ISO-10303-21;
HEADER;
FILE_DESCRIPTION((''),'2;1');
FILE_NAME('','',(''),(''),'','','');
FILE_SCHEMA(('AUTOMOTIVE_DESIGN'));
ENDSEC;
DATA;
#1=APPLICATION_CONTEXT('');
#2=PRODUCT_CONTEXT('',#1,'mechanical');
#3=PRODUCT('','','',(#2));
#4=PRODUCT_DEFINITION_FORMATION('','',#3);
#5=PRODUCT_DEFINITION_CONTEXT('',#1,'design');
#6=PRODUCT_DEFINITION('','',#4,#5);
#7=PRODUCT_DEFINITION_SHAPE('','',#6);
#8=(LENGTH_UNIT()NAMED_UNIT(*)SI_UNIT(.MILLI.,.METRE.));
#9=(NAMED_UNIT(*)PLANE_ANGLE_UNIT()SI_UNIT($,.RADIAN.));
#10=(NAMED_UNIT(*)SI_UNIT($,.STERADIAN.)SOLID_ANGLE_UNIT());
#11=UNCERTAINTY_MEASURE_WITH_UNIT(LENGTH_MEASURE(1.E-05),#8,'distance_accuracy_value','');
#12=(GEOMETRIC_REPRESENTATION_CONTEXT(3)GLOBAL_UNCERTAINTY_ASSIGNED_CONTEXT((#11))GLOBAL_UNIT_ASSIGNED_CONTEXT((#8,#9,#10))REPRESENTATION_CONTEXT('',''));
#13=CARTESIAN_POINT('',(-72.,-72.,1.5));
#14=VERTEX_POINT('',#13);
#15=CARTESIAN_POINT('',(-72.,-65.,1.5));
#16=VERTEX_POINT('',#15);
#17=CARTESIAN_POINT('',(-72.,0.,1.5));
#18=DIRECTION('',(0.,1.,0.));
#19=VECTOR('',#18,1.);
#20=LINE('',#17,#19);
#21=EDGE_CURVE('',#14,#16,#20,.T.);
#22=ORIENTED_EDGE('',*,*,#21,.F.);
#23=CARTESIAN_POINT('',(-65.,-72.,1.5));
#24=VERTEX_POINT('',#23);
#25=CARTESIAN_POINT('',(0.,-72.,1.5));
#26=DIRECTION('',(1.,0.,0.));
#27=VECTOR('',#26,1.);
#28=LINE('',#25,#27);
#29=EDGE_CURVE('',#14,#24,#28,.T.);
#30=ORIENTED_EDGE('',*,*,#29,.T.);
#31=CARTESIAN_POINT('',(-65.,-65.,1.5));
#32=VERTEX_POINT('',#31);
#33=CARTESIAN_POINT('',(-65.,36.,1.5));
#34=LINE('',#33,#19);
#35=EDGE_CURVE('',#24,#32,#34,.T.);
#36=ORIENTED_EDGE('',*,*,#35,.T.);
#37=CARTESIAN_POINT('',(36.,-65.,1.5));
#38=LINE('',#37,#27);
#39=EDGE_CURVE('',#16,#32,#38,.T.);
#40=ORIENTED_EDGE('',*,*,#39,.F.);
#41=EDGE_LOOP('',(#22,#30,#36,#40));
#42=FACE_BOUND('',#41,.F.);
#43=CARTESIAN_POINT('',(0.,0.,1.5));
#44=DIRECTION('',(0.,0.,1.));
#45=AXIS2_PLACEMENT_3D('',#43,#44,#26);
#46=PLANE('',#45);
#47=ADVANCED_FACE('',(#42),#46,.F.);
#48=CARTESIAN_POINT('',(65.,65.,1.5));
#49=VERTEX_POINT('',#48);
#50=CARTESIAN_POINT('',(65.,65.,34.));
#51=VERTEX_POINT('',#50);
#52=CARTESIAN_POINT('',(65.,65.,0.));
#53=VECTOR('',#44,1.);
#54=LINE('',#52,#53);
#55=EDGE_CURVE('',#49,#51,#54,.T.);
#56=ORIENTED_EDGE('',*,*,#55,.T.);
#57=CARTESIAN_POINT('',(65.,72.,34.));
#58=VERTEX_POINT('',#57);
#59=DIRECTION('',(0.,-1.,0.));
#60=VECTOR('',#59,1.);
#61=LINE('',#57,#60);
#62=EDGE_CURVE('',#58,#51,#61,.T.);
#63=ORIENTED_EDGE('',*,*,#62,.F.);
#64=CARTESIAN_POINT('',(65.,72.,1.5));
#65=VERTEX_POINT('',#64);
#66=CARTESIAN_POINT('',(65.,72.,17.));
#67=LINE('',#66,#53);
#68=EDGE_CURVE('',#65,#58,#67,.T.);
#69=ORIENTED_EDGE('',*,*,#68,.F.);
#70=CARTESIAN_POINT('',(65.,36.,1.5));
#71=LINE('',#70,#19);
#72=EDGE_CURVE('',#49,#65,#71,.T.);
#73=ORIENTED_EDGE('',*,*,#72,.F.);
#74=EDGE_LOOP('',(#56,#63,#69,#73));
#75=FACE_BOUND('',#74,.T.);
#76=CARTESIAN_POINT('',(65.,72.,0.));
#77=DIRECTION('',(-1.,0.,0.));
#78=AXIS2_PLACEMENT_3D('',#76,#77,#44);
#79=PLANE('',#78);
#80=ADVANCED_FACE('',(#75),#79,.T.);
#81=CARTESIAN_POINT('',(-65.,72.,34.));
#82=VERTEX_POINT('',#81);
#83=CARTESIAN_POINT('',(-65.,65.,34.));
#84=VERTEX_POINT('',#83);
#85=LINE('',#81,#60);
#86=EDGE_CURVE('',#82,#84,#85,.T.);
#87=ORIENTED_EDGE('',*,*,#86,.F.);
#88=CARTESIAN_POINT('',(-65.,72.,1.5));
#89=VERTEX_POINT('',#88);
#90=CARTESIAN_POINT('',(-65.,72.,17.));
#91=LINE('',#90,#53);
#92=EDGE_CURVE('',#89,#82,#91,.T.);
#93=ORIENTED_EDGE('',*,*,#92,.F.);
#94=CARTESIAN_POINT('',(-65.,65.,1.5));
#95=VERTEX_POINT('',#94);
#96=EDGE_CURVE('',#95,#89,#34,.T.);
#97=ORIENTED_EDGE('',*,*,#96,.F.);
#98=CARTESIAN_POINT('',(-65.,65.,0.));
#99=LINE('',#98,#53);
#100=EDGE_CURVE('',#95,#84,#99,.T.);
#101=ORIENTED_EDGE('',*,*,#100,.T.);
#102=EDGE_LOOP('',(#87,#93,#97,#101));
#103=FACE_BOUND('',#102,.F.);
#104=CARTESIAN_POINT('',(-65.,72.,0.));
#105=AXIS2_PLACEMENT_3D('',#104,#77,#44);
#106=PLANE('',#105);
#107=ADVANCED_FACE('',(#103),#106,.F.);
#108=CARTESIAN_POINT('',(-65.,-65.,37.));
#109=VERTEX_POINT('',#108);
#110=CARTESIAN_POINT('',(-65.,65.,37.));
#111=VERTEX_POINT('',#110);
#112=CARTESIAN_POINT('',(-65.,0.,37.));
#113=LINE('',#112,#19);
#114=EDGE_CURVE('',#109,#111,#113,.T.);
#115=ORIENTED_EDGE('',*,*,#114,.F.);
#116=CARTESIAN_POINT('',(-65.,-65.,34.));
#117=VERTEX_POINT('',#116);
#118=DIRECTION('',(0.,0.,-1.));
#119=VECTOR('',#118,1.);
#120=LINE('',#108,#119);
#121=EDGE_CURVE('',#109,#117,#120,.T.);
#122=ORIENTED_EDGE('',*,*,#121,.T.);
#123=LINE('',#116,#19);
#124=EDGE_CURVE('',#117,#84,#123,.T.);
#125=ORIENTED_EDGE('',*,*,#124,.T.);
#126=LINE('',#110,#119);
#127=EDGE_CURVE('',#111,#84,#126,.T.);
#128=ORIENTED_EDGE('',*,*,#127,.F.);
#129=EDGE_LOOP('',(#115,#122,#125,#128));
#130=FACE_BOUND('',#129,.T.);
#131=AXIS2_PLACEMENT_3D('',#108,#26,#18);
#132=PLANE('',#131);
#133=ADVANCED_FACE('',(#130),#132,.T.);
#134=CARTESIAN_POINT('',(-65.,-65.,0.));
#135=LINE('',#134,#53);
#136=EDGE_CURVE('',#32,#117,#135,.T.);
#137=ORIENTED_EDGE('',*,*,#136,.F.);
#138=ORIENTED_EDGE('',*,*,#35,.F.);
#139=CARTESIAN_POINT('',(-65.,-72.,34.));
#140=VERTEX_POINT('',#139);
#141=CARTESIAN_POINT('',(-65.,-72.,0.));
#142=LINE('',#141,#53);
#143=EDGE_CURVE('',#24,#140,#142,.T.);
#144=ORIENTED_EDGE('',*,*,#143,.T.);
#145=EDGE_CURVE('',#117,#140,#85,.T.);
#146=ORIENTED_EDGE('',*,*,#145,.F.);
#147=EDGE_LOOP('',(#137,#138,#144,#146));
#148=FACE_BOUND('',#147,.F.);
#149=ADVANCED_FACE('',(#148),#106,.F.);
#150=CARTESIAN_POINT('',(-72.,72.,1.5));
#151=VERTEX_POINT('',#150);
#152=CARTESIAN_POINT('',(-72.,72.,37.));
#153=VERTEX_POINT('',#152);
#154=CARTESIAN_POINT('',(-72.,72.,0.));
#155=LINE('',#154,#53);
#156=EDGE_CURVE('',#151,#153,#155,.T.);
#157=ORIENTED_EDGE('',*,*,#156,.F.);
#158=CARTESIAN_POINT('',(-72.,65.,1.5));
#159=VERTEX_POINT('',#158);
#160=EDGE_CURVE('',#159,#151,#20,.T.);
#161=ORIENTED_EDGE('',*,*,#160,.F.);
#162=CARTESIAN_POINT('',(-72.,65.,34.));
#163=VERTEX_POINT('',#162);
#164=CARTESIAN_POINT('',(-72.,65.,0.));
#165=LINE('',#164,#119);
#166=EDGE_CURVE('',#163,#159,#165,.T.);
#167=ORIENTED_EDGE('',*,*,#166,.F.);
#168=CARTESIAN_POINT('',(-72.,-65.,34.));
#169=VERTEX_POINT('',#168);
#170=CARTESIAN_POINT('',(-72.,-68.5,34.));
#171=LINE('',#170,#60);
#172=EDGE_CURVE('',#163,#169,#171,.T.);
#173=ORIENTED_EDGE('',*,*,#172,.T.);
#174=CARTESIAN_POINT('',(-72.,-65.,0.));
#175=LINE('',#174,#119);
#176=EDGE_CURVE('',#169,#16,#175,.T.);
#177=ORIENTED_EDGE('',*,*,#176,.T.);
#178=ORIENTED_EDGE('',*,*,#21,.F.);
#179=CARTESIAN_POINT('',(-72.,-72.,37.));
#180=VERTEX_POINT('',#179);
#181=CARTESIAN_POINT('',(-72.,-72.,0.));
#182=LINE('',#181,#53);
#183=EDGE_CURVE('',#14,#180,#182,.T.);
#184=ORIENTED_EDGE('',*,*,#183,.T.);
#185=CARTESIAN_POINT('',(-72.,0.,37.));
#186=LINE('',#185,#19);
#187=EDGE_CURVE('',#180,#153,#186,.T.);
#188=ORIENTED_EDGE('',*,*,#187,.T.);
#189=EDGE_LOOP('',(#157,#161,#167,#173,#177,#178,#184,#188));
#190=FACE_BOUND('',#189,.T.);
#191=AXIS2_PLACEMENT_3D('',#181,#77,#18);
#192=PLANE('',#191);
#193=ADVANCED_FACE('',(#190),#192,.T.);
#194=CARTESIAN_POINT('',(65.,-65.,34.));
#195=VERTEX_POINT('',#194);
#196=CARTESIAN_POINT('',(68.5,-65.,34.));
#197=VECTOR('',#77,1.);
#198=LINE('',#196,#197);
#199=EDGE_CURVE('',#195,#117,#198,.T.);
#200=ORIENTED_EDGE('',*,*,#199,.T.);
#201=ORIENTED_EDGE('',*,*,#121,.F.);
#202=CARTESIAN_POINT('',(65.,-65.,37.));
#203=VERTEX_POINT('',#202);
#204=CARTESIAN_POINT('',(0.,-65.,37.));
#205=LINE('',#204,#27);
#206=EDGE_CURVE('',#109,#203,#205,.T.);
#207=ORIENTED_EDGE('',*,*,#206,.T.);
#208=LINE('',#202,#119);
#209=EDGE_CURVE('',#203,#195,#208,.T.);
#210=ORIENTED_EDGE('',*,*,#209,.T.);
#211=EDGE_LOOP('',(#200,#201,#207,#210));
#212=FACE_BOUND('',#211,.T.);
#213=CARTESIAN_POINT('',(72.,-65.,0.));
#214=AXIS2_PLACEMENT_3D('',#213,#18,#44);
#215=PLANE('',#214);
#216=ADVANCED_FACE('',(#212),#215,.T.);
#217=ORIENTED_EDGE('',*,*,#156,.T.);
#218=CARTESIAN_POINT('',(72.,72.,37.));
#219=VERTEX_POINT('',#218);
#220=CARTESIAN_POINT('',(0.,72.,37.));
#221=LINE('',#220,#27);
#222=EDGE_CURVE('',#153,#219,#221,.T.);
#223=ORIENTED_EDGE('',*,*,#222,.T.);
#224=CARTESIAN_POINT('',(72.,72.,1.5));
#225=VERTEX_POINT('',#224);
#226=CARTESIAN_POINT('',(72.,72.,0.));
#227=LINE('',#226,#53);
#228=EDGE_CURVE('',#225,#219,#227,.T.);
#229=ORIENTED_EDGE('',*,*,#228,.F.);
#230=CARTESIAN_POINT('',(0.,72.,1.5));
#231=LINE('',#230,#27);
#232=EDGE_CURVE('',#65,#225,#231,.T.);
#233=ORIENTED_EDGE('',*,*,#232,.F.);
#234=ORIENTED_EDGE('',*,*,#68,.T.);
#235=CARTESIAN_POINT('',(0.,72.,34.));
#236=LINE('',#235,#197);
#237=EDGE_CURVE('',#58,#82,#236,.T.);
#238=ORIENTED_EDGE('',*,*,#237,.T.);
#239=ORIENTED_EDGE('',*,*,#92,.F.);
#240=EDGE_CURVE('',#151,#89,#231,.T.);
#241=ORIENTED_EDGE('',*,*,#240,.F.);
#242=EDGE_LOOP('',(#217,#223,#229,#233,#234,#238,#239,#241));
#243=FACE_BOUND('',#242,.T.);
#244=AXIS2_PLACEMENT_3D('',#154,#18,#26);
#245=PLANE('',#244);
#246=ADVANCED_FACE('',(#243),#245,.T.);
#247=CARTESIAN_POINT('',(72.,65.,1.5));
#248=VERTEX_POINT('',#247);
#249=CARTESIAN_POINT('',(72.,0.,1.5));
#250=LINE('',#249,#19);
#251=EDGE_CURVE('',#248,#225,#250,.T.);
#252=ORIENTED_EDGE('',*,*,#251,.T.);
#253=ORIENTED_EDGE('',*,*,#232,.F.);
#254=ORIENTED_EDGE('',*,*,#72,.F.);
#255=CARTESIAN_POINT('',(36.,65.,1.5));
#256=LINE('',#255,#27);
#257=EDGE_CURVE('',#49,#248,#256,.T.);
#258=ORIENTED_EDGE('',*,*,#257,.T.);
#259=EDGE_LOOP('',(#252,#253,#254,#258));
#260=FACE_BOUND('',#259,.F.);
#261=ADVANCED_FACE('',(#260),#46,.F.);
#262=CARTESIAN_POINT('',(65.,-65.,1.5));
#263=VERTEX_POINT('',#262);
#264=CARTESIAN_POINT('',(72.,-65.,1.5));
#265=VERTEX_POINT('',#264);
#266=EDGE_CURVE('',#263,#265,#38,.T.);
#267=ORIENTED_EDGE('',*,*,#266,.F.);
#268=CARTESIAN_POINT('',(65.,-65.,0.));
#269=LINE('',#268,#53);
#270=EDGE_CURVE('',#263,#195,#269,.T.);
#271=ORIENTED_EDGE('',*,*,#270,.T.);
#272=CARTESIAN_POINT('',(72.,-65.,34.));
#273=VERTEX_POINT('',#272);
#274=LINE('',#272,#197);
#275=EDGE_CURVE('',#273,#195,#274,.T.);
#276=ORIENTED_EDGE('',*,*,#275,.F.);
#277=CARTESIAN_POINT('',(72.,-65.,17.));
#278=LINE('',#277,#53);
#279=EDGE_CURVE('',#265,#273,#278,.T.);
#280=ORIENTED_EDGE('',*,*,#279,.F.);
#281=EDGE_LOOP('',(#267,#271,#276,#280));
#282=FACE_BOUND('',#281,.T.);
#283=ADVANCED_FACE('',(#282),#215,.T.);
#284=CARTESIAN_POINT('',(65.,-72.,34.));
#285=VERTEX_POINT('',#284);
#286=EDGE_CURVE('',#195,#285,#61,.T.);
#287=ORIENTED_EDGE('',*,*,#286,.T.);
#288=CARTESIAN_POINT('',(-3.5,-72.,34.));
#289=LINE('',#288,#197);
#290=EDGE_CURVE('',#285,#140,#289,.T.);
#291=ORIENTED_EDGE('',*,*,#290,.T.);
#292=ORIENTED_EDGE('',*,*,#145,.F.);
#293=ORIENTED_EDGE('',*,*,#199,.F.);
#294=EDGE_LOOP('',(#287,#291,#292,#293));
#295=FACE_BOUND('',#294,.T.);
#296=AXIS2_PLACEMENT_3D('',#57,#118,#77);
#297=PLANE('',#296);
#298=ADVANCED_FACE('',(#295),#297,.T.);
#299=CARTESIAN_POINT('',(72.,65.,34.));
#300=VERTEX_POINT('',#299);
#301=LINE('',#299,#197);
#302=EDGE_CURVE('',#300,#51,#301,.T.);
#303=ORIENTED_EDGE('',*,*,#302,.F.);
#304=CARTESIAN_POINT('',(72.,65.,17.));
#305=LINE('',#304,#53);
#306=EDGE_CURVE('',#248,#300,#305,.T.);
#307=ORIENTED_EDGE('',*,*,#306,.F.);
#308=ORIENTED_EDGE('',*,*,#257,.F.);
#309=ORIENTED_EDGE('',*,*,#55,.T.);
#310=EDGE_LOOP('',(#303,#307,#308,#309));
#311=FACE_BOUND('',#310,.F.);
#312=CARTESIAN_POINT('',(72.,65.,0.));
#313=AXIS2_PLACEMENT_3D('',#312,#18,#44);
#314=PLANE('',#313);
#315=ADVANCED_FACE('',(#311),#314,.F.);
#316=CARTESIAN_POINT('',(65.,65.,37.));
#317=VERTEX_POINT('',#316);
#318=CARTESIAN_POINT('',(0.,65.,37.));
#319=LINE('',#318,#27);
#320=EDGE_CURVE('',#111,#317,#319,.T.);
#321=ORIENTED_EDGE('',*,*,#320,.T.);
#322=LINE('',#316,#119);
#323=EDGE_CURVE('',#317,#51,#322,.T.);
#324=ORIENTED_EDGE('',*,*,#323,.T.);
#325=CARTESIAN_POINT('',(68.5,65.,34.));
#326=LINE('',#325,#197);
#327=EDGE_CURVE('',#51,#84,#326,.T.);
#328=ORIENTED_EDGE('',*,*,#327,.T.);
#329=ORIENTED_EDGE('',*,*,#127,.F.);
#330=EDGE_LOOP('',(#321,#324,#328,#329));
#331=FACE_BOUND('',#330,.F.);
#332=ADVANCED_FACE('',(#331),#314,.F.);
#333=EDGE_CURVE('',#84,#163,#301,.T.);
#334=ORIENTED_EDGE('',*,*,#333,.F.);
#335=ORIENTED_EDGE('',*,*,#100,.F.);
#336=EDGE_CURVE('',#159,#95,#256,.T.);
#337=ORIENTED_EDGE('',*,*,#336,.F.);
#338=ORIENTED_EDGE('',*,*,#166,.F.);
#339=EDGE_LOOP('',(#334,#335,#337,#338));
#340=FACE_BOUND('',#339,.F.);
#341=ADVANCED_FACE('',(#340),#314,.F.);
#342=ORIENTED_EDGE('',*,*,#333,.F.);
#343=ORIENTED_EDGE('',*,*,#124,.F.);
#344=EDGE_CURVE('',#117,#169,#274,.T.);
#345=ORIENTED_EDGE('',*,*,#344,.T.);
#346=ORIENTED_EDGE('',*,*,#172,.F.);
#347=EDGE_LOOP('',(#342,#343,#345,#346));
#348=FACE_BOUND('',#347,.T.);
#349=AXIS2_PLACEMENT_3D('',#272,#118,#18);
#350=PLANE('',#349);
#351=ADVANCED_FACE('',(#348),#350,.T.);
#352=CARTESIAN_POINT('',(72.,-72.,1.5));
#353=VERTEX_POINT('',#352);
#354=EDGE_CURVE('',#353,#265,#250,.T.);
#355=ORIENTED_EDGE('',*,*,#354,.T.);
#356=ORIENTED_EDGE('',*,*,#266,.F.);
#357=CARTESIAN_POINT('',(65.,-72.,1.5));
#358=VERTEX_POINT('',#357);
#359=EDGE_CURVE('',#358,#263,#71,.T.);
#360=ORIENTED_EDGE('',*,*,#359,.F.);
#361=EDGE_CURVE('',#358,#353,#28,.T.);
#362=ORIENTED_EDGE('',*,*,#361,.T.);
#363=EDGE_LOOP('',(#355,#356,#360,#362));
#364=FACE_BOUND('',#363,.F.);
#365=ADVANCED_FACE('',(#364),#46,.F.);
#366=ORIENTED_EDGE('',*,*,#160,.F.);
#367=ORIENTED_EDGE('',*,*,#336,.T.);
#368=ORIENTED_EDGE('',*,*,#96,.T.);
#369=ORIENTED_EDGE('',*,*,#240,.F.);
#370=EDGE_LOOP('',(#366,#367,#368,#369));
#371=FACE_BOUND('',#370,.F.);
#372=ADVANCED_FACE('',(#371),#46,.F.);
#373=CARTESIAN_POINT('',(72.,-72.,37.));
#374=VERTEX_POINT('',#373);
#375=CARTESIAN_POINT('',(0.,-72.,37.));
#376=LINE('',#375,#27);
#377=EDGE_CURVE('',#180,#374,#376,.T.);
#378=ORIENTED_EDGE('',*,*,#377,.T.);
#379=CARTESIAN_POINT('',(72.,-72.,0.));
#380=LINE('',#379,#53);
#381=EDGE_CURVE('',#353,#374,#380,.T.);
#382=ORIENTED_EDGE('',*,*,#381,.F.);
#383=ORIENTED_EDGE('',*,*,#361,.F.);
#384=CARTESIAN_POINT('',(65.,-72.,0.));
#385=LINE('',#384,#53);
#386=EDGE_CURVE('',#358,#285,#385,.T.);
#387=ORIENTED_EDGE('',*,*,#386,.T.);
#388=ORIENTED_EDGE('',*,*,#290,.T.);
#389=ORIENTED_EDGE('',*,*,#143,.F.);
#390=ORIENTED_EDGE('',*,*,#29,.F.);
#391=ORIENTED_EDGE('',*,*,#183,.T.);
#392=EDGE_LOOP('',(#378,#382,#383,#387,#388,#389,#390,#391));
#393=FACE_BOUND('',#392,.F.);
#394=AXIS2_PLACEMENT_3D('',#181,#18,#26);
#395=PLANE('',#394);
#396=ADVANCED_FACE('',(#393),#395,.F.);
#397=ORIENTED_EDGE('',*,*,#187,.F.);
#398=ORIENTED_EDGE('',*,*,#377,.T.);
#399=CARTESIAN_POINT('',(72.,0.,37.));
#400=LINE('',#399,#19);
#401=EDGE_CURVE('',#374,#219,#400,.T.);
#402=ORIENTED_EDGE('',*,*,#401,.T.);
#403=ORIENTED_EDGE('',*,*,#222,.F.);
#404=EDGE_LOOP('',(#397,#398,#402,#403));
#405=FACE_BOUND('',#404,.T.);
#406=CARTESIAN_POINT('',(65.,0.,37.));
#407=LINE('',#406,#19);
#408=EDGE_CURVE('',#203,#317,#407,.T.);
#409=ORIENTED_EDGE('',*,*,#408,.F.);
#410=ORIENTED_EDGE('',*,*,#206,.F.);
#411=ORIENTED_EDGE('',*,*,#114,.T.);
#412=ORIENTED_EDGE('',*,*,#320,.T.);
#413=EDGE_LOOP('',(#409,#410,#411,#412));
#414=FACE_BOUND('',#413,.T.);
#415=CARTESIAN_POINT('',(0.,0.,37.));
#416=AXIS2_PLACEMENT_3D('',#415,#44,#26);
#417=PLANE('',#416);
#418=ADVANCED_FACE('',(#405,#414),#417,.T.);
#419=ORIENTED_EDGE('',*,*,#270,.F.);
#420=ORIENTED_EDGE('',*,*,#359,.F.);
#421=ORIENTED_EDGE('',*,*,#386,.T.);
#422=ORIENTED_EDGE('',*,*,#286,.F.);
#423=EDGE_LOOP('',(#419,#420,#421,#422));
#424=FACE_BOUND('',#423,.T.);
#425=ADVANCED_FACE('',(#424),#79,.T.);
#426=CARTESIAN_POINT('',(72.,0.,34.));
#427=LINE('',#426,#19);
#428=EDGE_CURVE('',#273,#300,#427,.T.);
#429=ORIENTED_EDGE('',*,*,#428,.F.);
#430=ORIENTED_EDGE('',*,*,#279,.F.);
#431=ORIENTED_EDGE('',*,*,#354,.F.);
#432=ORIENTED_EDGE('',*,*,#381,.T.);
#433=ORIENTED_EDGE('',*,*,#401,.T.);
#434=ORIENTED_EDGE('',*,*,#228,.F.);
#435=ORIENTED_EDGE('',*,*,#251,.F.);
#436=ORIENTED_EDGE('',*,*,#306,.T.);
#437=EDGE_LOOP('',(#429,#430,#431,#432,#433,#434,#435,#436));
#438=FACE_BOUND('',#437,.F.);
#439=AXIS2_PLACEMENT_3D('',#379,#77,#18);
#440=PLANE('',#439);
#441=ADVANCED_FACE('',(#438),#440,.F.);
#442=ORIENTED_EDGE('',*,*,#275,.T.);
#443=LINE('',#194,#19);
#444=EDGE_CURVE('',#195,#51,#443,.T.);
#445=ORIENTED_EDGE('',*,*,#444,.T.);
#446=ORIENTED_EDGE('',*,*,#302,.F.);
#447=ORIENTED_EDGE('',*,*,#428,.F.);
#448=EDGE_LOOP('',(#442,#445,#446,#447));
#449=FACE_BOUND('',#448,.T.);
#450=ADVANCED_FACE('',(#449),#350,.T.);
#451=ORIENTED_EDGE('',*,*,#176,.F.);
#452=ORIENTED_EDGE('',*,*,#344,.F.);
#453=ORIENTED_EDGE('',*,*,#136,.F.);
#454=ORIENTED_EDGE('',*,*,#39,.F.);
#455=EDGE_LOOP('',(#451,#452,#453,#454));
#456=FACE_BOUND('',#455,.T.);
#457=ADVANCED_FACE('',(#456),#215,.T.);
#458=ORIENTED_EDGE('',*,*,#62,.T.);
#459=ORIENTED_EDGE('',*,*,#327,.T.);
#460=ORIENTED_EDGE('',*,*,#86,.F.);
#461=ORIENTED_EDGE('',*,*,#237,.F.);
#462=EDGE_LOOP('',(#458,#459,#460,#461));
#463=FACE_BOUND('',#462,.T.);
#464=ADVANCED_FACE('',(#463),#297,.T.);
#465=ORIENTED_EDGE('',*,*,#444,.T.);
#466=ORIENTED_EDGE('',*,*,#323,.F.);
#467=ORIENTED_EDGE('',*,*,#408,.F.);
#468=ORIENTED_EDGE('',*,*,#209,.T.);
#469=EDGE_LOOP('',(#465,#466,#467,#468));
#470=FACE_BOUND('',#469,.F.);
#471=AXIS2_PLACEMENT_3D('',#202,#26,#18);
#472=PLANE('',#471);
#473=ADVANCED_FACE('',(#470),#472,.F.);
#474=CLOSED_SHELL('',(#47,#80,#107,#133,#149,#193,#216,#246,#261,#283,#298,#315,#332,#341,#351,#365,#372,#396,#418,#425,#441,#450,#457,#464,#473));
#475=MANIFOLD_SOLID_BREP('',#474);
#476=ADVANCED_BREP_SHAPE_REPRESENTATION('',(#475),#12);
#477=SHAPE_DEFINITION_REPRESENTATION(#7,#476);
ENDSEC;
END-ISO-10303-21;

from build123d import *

# Parameters (mm, degrees)
SKETCH_W        = 144
SKETCH_H        = 144
PAD_DEPTH       = 37
SKETCH001_W     = 130
SKETCH001_H     = 130
POCKET_DEPTH    = 37.001
SKETCH002_W     = 130
SKETCH002_H     = 34
POCKET001_DEPTH = 144.001
SKETCH003_W     = 130
SKETCH003_H     = 34
POCKET002_DEPTH = 144.001
SKETCH004_W     = 144
SKETCH004_H     = 144
POCKET003_DEPTH = 1.5


with BuildPart() as part:
    # Sketch → Pad (new body)
    with BuildSketch(Plane.XY):
        Rectangle(SKETCH_W, SKETCH_H)
    extrude(amount=PAD_DEPTH)

    # Sketch001 (on Face6 of Pad) → Pocket (cut, through all)
    with BuildSketch(Plane.XY.offset(37)):
        Rectangle(SKETCH001_W, SKETCH001_H)
    extrude(amount=-POCKET_DEPTH, mode=Mode.SUBTRACT)

    # Sketch002 (on Face3 of Pocket) → Pocket001 (cut, through all)
    with BuildSketch(Plane.YZ.offset(72)):
        with Locations((0, 17)):
            Rectangle(SKETCH002_W, SKETCH002_H)
    extrude(amount=-POCKET001_DEPTH, mode=Mode.SUBTRACT)

    # Sketch003 (on Face8 of Pocket001) → Pocket002 (cut, through all)
    with BuildSketch(Plane(origin=(0, 72, 0), x_dir=(-1, 0, 0), z_dir=(0, 1, 0))):
        with Locations((0, 17)):
            Rectangle(SKETCH003_W, SKETCH003_H)
    extrude(amount=-POCKET002_DEPTH, mode=Mode.SUBTRACT)

    # Sketch004 → Pocket003 (cut, symmetric)
    with BuildSketch(Plane.XY):
        Rectangle(SKETCH004_W, SKETCH004_H)
    extrude(amount=POCKET003_DEPTH, both=True, mode=Mode.SUBTRACT)


solid = part.part
